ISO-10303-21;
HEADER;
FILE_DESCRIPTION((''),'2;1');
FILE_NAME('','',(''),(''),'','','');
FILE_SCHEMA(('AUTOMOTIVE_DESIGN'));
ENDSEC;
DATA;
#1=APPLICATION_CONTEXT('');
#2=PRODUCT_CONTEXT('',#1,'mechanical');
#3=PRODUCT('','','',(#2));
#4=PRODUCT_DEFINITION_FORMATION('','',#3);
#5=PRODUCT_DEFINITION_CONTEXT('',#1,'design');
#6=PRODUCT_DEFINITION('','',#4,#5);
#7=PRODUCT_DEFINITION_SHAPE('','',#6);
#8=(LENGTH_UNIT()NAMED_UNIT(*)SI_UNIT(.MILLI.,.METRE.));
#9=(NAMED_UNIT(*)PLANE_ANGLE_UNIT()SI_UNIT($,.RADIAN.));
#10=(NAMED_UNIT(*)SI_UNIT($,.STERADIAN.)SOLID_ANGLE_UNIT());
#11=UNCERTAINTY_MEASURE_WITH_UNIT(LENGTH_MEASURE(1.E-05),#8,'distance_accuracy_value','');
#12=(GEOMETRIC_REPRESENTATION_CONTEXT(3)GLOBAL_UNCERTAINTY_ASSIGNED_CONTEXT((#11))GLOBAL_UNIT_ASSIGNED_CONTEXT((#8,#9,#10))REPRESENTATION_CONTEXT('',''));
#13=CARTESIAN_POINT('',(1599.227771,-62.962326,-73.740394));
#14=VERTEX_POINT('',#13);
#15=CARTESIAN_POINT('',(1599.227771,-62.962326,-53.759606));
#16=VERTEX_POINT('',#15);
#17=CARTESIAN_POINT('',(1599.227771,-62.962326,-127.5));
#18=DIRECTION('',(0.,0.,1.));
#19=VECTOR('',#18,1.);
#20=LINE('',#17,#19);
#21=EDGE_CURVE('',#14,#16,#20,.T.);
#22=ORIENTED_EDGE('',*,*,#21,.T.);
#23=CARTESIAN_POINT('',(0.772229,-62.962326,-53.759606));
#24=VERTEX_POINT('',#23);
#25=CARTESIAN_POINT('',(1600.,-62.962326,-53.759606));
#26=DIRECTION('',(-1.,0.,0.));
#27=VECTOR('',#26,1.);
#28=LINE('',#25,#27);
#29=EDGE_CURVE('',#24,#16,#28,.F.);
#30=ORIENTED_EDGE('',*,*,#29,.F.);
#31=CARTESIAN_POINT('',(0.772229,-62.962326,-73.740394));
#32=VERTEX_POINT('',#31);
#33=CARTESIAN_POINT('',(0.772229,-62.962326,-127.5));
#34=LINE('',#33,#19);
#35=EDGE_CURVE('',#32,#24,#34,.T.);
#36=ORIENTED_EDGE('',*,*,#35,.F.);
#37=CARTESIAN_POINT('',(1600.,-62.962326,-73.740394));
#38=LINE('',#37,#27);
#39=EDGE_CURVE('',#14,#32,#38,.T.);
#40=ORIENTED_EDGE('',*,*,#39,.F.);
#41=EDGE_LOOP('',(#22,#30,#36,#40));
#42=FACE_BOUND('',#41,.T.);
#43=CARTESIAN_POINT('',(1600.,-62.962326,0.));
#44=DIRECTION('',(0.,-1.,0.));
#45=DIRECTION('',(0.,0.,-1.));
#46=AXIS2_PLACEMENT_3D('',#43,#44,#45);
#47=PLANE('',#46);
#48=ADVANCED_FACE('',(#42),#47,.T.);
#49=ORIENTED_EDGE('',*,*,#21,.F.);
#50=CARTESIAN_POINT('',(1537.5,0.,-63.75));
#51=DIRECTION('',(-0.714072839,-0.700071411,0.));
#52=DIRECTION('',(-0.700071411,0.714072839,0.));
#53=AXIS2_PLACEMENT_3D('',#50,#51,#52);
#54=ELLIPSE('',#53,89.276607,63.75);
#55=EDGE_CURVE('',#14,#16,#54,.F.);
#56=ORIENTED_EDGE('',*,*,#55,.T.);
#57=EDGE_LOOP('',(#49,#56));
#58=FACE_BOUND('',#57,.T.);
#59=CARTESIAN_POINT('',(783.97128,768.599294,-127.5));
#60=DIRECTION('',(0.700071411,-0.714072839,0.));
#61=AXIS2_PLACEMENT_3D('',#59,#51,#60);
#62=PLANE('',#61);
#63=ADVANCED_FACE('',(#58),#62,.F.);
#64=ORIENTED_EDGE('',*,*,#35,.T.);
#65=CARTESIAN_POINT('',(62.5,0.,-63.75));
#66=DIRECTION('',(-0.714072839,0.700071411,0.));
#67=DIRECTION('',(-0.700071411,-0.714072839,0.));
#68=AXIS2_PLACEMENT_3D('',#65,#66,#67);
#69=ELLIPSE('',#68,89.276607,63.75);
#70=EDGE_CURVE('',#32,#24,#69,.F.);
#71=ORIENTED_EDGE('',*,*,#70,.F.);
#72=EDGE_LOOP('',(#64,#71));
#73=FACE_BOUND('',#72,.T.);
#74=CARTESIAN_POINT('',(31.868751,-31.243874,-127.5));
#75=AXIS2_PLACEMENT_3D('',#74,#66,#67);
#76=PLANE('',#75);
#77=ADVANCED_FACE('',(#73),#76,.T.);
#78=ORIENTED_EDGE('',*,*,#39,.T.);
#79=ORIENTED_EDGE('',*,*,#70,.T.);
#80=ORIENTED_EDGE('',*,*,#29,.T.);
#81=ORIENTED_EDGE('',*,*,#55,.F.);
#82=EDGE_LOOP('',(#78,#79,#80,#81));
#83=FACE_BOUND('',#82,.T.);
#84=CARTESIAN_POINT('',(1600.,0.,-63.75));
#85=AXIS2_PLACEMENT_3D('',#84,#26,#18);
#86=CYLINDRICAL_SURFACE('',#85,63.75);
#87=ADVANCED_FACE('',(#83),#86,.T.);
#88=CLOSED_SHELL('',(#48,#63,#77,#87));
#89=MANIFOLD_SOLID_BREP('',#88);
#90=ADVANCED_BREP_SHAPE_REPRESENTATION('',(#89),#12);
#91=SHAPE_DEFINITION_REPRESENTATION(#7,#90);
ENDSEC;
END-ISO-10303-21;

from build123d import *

# Parameters (mm, degrees)
SKETCH2_W               = 1600
SKETCH2_H               = 63.75
CUT_EXTRUDE2_DEPTH      = 1607.337546252
CUT_EXTRUDE2_DEPTH_BACK = 1607.337546252
CUT_EXTRUDE3_DEPTH      = 1607.337546252


with BuildPart() as part:
    # Sketch2 → Revolve1 (revolve)
    with BuildSketch(Plane(origin=(0, 0, 0), x_dir=(1, 0, 0), z_dir=(0, 1, 0))):
        with Locations((800, 31.875)):
            Rectangle(SKETCH2_W, SKETCH2_H)
    revolve(axis=Axis((1600, 0, -63.75), (-1, 0, 0)))

    # Sketch3 → Cut-Extrude2 (cut, two sides: drawn at the far end of the back side and taken through both)
    with BuildSketch(Plane.XY.offset(-CUT_EXTRUDE2_DEPTH_BACK)):
        Polygon((0, 63.75), (125, 63.75), (0, -63.75), align=None)
        Polygon((1600, 63.75), (1600, -63.75), (1475, 63.75), align=None)
    extrude(amount=CUT_EXTRUDE2_DEPTH + CUT_EXTRUDE2_DEPTH_BACK, mode=Mode.SUBTRACT)

    # Sketch5 → Cut-Extrude3 (cut, through all)
    with BuildSketch(Plane(origin=(0, 0, 0), x_dir=(0, 0, -1), z_dir=(1, 0, 0))):
        Polygon((63.75, -63.75), (0, -63.75), (0, -62.96232629), (127.5, -62.96232629), (127.5, -63.75), align=None)
    extrude(amount=CUT_EXTRUDE3_DEPTH, mode=Mode.SUBTRACT)


solid = part.part
